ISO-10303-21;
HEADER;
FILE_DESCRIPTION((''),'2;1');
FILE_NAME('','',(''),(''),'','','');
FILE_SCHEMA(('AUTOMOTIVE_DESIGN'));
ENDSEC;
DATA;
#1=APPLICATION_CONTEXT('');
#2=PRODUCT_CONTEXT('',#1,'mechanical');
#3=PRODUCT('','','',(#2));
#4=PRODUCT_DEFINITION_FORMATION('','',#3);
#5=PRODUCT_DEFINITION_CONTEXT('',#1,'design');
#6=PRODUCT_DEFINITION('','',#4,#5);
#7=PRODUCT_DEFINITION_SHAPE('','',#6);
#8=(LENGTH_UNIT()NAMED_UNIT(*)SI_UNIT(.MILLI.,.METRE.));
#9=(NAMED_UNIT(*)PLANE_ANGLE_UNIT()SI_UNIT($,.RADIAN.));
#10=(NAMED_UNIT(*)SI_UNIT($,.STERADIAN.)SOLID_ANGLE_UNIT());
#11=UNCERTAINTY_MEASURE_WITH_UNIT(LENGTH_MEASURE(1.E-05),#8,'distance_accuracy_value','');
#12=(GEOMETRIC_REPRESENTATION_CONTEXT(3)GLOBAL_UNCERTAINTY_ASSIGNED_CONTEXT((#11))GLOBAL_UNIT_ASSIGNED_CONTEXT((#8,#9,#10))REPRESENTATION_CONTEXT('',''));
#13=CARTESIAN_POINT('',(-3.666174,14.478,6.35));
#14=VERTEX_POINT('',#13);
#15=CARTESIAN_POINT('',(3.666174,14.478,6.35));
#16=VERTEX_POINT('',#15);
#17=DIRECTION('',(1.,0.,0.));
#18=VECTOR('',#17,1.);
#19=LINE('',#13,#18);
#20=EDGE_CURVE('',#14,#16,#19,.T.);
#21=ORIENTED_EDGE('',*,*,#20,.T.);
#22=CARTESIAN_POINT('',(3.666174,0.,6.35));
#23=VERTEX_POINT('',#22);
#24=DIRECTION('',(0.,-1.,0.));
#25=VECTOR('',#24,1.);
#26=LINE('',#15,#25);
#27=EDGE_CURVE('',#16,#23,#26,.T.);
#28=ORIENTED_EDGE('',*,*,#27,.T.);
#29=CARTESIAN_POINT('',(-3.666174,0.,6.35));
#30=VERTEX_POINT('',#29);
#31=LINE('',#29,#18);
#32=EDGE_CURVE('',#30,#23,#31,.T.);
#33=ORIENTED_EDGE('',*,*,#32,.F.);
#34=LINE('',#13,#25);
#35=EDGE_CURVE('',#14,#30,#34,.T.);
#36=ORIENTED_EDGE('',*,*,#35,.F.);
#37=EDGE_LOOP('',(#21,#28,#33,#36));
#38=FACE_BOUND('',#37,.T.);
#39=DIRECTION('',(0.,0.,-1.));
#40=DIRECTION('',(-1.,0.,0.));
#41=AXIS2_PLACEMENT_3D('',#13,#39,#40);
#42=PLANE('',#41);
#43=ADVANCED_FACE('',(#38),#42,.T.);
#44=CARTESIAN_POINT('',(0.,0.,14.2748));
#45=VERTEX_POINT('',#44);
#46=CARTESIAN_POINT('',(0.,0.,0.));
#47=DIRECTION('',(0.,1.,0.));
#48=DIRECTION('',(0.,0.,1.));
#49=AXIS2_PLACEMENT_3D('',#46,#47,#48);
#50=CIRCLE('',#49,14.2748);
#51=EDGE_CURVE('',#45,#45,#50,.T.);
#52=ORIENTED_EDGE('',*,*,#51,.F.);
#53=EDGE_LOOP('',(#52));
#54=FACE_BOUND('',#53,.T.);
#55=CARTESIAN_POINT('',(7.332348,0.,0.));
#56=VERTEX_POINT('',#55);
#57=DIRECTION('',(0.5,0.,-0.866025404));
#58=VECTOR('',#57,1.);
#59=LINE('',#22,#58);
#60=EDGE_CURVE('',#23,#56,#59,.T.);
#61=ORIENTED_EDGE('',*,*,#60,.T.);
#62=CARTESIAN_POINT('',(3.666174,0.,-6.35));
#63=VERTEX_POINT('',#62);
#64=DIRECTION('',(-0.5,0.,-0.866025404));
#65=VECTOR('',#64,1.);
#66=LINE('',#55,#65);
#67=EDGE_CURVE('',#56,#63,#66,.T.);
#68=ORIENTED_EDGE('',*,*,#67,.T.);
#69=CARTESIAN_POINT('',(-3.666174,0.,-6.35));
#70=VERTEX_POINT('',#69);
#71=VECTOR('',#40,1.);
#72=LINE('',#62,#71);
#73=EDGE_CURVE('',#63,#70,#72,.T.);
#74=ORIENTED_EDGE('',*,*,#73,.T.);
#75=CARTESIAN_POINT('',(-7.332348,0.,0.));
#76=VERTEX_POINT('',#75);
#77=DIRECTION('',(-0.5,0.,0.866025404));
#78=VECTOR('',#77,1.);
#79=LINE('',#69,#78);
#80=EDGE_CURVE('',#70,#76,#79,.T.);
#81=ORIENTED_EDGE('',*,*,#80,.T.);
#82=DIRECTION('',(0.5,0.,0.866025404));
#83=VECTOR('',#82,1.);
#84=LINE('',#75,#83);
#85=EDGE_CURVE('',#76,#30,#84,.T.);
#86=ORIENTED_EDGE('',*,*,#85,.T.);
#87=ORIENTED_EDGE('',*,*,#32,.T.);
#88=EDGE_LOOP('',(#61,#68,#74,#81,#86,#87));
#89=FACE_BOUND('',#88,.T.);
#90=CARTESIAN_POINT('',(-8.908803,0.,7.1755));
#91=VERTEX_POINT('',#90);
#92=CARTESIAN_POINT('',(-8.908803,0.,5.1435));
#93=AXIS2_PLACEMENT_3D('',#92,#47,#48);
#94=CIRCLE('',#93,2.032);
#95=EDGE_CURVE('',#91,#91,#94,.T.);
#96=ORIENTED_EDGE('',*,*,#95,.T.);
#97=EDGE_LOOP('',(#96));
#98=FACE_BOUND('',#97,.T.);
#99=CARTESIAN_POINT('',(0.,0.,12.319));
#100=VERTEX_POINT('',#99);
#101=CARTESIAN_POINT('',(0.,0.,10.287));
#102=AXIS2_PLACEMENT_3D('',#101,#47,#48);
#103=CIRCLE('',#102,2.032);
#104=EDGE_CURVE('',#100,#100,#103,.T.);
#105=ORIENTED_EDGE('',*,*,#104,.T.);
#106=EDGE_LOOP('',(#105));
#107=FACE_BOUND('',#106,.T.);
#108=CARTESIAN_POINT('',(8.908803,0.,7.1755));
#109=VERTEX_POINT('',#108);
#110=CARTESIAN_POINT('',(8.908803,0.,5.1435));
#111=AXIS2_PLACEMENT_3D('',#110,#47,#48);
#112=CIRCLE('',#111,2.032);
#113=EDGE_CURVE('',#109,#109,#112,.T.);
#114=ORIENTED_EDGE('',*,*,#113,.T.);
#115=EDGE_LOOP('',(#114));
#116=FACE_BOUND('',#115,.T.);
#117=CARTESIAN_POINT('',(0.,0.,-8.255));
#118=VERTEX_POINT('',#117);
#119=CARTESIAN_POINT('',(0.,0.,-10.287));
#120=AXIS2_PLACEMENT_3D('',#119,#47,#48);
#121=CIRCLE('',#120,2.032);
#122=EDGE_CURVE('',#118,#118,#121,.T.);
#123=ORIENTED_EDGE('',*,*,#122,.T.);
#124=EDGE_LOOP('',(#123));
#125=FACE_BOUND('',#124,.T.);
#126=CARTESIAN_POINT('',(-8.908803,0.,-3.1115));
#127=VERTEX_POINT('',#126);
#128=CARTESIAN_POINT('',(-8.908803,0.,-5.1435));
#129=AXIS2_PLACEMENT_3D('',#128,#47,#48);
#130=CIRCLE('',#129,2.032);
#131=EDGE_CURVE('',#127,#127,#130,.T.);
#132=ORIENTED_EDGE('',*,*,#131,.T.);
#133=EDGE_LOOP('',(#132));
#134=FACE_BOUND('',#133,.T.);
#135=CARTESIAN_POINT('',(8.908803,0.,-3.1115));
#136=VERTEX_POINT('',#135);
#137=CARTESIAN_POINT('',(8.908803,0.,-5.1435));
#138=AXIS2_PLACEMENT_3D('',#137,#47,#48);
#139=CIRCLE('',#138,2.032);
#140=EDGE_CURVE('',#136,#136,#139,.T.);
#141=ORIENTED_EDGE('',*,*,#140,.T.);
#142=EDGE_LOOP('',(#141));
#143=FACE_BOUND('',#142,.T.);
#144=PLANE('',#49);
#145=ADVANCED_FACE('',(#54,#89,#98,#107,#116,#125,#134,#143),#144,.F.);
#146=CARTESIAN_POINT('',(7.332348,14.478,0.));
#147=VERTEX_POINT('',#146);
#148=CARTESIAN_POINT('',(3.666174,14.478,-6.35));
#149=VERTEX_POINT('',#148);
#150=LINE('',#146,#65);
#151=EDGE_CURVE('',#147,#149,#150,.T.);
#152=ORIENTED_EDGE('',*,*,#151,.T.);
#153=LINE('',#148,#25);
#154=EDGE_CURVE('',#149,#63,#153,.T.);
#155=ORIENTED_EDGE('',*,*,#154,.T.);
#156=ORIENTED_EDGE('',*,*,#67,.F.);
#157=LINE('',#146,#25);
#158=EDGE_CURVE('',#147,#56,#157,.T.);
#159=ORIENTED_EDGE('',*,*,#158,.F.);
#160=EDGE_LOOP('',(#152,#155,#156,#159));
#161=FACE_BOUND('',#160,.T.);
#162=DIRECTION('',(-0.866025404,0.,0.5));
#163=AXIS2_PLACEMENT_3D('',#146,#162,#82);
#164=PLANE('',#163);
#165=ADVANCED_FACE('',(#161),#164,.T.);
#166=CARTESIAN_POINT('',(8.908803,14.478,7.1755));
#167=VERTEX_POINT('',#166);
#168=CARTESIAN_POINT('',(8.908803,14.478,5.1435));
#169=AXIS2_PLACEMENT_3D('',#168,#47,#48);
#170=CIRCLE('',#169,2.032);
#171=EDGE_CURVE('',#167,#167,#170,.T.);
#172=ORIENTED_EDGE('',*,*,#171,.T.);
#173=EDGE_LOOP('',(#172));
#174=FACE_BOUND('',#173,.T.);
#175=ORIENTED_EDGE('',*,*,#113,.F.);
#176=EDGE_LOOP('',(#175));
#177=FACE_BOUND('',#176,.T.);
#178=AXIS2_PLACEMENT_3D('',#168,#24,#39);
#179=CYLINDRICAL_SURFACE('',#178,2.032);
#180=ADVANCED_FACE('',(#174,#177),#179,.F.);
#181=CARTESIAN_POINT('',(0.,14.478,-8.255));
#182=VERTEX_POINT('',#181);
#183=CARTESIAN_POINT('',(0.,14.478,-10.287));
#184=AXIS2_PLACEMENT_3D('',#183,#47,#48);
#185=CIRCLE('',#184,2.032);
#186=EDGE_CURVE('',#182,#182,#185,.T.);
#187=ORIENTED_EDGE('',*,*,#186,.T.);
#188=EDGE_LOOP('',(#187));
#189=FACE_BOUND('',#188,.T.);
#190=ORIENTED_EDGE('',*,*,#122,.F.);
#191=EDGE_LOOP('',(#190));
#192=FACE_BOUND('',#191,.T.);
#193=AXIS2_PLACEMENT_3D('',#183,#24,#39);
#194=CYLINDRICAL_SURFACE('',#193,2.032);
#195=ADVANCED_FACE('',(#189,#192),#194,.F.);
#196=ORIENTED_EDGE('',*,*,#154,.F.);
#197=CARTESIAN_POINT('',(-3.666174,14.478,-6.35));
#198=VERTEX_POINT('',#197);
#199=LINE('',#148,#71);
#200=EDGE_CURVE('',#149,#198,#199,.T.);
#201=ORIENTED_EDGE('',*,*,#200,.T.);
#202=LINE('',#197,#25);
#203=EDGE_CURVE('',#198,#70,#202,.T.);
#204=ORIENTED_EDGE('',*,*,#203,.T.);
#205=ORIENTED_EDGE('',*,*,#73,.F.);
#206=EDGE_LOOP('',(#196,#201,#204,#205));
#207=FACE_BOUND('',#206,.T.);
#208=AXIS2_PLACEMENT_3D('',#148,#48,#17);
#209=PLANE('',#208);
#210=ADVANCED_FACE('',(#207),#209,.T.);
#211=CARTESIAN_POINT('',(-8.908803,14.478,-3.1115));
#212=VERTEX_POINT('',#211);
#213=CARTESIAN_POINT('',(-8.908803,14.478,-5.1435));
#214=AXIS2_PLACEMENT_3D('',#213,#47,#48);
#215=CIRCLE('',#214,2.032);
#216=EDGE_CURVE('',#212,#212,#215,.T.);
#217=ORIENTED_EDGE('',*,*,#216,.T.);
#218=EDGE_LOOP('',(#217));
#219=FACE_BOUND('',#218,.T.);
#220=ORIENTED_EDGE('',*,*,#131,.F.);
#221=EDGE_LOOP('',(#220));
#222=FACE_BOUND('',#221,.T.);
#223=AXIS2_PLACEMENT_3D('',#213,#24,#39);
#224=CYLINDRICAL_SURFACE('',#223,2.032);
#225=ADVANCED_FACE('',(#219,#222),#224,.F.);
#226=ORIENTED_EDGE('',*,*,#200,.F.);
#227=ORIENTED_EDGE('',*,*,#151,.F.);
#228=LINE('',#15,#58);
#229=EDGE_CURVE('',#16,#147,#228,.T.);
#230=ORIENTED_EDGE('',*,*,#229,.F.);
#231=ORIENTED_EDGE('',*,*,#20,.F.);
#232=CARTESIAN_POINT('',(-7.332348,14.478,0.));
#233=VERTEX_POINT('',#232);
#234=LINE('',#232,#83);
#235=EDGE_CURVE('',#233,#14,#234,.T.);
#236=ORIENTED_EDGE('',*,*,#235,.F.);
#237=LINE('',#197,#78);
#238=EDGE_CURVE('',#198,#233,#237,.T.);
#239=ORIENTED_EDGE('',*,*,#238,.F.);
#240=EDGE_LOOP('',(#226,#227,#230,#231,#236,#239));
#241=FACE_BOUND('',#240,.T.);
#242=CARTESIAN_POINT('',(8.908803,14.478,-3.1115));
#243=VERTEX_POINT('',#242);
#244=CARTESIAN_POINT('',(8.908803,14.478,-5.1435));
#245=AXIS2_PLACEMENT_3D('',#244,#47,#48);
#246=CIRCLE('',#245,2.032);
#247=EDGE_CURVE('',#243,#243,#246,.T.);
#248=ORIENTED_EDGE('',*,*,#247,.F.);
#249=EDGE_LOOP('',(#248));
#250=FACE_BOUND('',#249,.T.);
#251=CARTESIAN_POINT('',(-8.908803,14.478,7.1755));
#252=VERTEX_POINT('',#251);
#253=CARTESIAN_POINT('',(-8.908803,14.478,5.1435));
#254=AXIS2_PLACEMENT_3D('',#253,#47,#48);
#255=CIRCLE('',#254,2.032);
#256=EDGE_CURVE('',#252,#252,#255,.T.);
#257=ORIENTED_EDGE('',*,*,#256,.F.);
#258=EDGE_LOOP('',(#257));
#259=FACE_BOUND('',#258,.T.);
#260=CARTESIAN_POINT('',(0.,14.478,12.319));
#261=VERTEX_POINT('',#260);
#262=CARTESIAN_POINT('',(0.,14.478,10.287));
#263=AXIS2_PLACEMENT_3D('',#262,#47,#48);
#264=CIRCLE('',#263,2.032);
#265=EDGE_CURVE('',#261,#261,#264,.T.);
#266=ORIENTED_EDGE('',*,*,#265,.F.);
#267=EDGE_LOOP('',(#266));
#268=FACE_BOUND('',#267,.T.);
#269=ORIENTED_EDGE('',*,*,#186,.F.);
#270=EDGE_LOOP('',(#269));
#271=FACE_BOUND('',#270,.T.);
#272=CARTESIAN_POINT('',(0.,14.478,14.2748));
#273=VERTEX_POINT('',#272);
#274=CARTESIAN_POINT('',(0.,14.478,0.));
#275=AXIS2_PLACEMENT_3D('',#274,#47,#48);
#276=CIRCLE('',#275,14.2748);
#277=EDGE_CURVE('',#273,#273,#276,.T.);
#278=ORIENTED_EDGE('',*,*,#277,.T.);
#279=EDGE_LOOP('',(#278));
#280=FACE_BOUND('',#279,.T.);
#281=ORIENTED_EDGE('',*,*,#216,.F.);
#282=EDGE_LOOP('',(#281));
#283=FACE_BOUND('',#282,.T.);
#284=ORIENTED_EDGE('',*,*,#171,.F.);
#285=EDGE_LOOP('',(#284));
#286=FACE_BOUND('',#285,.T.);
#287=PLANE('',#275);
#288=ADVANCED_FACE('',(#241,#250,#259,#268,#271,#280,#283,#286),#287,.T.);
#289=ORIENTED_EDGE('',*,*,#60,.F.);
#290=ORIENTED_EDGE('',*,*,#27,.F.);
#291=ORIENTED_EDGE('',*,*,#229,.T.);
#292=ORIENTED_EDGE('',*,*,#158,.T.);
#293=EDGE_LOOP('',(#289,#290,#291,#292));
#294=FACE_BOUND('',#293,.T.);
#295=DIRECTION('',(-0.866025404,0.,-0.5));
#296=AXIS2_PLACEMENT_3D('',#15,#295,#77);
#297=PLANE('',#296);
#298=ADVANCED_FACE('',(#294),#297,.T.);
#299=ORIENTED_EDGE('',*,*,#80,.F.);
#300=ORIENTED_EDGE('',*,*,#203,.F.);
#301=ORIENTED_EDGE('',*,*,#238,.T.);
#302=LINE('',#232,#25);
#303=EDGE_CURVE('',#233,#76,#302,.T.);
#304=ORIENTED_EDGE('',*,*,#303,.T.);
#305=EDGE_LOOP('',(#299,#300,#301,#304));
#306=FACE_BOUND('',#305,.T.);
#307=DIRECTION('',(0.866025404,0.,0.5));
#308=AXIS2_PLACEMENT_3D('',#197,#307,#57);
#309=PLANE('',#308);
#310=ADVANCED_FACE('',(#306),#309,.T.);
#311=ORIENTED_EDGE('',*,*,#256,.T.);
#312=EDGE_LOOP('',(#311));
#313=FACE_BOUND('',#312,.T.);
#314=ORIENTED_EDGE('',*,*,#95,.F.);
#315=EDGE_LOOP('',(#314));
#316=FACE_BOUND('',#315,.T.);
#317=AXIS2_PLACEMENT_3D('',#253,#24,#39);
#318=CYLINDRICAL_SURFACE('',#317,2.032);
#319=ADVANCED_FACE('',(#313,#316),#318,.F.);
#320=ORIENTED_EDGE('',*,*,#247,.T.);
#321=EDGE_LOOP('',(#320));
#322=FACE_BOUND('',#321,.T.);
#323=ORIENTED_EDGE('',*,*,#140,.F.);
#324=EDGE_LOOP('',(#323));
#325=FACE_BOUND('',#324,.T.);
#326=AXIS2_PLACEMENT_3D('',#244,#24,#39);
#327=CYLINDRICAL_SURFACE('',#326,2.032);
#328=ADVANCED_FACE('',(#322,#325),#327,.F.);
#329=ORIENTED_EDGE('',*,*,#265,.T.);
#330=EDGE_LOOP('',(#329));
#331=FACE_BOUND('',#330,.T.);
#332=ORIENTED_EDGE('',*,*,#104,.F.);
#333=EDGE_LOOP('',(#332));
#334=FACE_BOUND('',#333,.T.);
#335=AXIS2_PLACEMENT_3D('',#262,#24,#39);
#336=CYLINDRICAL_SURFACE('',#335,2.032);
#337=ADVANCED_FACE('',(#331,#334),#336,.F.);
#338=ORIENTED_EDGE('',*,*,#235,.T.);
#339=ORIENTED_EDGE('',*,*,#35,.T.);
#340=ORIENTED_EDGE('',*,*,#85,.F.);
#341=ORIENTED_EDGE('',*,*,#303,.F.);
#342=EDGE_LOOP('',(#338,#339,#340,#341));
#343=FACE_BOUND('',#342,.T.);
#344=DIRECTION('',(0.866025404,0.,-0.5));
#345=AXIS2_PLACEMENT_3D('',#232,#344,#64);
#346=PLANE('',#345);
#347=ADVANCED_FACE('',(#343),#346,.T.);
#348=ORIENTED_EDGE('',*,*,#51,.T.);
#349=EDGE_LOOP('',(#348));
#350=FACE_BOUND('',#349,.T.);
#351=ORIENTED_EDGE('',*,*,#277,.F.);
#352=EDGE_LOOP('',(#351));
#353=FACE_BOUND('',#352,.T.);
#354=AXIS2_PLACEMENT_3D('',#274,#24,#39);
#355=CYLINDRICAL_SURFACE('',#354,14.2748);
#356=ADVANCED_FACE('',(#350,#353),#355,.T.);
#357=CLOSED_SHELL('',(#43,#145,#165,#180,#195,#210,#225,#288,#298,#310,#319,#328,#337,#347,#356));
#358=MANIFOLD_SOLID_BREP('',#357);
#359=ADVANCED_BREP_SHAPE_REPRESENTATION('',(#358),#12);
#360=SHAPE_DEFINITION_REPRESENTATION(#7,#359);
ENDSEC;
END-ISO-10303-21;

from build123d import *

# Parameters (mm, degrees)
SKETCH1_R           = 14.2748
SKETCH1_R_2         = 2.032
BOSS_EXTRUDE1_DEPTH = 14.478


with BuildPart() as part:
    # Sketch1 → Boss-Extrude1 (new body)
    with BuildSketch(Plane(origin=(0, 0, 0), x_dir=(1, 0, 0), z_dir=(0, 1, 0))):
        with Locations(Location((0, 0, 0), (0, 0, 270))):
            Circle(SKETCH1_R)
        with Locations(Location((0, 10.287, 0), (0, 0, 270))):
            Circle(SKETCH1_R_2, mode=Mode.SUBTRACT)
        with Locations(Location((8.908803329, 5.1435, 0), (0, 0, 270))):
            Circle(SKETCH1_R_2, mode=Mode.SUBTRACT)
        with Locations(Location((8.908803329, -5.1435, 0), (0, 0, 270))):
            Circle(SKETCH1_R_2, mode=Mode.SUBTRACT)
        with Locations(Location((0, -10.287, 0), (0, 0, 270))):
            Circle(SKETCH1_R_2, mode=Mode.SUBTRACT)
        with Locations(Location((-8.908803329, -5.1435, 0), (0, 0, 270))):
            Circle(SKETCH1_R_2, mode=Mode.SUBTRACT)
        with Locations(Location((-8.908803329, 5.1435, 0), (0, 0, 270))):
            Circle(SKETCH1_R_2, mode=Mode.SUBTRACT)
        Polygon((7.332348419, 0), (3.666174209, 6.35), (-3.666174209, 6.35), (-7.332348419, 0), (-3.666174209, -6.35), (3.666174209, -6.35), align=None, mode=Mode.SUBTRACT)
    extrude(amount=BOSS_EXTRUDE1_DEPTH)


solid = part.part
